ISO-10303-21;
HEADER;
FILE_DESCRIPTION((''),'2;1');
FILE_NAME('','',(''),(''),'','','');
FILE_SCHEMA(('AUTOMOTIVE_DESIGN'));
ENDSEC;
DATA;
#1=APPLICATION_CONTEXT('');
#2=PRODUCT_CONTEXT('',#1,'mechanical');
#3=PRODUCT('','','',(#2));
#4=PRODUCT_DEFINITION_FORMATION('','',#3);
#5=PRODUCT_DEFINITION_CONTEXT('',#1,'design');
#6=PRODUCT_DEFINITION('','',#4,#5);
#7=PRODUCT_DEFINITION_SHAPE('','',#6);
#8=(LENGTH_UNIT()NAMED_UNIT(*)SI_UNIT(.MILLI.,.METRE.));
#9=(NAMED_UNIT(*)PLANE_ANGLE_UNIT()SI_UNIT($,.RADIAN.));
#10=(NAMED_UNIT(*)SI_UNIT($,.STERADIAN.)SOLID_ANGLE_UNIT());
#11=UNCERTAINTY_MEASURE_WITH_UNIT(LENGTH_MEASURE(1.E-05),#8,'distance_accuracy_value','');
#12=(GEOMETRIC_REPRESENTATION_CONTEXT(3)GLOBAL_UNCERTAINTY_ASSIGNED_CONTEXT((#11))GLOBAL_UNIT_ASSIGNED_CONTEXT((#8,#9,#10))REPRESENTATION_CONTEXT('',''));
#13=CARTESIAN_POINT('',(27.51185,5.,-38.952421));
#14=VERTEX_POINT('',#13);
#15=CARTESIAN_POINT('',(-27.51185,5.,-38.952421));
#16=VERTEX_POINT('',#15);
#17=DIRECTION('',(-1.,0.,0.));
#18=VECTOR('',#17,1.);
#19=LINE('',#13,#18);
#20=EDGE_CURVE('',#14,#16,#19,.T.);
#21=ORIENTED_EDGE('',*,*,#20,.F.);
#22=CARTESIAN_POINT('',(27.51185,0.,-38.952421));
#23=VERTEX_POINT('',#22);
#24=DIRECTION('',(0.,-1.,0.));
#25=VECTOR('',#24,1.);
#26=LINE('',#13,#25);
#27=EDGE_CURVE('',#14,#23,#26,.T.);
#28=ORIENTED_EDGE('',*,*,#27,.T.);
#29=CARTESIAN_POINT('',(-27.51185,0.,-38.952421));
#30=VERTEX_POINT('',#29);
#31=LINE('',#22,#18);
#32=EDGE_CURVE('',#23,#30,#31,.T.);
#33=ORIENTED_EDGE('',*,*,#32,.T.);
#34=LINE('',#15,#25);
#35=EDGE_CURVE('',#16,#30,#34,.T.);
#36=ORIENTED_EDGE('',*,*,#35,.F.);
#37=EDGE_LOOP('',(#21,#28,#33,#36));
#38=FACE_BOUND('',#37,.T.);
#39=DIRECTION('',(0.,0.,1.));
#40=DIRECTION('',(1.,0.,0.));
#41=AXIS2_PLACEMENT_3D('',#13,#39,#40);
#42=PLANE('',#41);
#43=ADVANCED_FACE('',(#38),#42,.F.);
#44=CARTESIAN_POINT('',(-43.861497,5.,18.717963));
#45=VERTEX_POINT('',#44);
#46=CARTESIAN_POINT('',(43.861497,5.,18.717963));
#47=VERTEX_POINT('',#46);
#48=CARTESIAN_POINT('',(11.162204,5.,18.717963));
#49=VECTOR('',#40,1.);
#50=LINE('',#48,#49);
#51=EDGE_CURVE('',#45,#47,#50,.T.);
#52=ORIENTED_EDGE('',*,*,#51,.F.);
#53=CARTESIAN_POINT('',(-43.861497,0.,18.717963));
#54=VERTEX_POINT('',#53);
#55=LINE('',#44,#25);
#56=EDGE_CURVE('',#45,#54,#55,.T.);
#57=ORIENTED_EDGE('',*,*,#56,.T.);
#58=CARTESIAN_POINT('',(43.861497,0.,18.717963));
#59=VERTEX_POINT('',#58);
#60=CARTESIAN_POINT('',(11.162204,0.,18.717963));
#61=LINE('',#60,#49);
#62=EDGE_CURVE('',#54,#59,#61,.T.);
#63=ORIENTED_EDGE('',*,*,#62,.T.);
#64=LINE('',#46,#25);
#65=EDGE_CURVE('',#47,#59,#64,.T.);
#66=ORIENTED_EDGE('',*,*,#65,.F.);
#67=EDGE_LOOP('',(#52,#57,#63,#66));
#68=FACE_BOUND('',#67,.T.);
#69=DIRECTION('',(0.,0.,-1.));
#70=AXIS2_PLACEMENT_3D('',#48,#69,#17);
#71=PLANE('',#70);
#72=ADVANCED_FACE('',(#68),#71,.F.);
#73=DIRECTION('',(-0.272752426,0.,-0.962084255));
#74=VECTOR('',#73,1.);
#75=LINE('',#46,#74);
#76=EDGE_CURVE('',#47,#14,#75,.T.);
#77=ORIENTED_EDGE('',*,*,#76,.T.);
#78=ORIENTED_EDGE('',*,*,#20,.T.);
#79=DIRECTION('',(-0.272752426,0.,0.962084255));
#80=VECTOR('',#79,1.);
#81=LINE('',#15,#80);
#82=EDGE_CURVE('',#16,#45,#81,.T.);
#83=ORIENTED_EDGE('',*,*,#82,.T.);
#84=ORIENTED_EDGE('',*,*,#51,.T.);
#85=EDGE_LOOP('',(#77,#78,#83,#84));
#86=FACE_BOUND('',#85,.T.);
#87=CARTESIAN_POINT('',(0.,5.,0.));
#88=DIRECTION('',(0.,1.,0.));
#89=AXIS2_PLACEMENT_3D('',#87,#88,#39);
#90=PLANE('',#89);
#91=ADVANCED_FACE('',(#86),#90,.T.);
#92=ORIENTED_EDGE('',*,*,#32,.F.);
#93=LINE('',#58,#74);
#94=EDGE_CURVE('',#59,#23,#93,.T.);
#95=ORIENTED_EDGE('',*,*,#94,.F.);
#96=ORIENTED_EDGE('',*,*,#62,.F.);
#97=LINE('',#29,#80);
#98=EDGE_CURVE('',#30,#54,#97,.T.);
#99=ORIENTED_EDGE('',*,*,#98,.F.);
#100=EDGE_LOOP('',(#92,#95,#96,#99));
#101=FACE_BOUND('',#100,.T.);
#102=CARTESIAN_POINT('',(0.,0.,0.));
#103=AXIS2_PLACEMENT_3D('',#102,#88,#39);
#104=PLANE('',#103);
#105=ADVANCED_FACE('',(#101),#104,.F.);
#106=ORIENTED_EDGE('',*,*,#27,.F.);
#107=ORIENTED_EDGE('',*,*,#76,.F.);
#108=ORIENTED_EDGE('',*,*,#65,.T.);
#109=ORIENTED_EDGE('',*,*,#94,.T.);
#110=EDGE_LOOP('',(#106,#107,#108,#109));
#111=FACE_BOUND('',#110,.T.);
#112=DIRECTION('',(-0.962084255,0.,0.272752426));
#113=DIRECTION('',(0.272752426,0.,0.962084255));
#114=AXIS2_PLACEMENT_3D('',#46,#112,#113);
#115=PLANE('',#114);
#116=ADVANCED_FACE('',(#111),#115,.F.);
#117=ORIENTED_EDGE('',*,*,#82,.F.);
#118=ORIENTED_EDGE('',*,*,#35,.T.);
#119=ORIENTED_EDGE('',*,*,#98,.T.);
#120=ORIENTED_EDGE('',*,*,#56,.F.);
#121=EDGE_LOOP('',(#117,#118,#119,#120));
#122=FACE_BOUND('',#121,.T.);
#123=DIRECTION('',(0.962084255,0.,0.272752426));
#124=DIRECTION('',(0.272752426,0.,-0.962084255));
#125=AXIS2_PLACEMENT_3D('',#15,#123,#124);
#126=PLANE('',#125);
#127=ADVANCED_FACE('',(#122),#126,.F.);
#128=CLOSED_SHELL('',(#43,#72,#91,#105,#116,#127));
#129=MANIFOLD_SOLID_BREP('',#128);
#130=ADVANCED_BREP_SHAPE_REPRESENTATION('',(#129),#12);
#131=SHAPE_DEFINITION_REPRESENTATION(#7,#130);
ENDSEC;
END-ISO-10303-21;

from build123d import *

# Parameters (mm, degrees)
BOSS_EXTRUDE1_DEPTH = 5


with BuildPart() as part:
    # Sketch2 → Boss-Extrude1 (new body)
    with BuildSketch(Plane(origin=(0, 0, 0), x_dir=(1, 0, 0), z_dir=(0, 1, 0))):
        Polygon((27.511850107, 38.952421439), (-27.511850107, 38.952421439), (-43.861496504, -18.717963476), (11.16220371, -18.717963476), (43.861496504, -18.717963476), align=None)
    extrude(amount=BOSS_EXTRUDE1_DEPTH)


solid = part.part
